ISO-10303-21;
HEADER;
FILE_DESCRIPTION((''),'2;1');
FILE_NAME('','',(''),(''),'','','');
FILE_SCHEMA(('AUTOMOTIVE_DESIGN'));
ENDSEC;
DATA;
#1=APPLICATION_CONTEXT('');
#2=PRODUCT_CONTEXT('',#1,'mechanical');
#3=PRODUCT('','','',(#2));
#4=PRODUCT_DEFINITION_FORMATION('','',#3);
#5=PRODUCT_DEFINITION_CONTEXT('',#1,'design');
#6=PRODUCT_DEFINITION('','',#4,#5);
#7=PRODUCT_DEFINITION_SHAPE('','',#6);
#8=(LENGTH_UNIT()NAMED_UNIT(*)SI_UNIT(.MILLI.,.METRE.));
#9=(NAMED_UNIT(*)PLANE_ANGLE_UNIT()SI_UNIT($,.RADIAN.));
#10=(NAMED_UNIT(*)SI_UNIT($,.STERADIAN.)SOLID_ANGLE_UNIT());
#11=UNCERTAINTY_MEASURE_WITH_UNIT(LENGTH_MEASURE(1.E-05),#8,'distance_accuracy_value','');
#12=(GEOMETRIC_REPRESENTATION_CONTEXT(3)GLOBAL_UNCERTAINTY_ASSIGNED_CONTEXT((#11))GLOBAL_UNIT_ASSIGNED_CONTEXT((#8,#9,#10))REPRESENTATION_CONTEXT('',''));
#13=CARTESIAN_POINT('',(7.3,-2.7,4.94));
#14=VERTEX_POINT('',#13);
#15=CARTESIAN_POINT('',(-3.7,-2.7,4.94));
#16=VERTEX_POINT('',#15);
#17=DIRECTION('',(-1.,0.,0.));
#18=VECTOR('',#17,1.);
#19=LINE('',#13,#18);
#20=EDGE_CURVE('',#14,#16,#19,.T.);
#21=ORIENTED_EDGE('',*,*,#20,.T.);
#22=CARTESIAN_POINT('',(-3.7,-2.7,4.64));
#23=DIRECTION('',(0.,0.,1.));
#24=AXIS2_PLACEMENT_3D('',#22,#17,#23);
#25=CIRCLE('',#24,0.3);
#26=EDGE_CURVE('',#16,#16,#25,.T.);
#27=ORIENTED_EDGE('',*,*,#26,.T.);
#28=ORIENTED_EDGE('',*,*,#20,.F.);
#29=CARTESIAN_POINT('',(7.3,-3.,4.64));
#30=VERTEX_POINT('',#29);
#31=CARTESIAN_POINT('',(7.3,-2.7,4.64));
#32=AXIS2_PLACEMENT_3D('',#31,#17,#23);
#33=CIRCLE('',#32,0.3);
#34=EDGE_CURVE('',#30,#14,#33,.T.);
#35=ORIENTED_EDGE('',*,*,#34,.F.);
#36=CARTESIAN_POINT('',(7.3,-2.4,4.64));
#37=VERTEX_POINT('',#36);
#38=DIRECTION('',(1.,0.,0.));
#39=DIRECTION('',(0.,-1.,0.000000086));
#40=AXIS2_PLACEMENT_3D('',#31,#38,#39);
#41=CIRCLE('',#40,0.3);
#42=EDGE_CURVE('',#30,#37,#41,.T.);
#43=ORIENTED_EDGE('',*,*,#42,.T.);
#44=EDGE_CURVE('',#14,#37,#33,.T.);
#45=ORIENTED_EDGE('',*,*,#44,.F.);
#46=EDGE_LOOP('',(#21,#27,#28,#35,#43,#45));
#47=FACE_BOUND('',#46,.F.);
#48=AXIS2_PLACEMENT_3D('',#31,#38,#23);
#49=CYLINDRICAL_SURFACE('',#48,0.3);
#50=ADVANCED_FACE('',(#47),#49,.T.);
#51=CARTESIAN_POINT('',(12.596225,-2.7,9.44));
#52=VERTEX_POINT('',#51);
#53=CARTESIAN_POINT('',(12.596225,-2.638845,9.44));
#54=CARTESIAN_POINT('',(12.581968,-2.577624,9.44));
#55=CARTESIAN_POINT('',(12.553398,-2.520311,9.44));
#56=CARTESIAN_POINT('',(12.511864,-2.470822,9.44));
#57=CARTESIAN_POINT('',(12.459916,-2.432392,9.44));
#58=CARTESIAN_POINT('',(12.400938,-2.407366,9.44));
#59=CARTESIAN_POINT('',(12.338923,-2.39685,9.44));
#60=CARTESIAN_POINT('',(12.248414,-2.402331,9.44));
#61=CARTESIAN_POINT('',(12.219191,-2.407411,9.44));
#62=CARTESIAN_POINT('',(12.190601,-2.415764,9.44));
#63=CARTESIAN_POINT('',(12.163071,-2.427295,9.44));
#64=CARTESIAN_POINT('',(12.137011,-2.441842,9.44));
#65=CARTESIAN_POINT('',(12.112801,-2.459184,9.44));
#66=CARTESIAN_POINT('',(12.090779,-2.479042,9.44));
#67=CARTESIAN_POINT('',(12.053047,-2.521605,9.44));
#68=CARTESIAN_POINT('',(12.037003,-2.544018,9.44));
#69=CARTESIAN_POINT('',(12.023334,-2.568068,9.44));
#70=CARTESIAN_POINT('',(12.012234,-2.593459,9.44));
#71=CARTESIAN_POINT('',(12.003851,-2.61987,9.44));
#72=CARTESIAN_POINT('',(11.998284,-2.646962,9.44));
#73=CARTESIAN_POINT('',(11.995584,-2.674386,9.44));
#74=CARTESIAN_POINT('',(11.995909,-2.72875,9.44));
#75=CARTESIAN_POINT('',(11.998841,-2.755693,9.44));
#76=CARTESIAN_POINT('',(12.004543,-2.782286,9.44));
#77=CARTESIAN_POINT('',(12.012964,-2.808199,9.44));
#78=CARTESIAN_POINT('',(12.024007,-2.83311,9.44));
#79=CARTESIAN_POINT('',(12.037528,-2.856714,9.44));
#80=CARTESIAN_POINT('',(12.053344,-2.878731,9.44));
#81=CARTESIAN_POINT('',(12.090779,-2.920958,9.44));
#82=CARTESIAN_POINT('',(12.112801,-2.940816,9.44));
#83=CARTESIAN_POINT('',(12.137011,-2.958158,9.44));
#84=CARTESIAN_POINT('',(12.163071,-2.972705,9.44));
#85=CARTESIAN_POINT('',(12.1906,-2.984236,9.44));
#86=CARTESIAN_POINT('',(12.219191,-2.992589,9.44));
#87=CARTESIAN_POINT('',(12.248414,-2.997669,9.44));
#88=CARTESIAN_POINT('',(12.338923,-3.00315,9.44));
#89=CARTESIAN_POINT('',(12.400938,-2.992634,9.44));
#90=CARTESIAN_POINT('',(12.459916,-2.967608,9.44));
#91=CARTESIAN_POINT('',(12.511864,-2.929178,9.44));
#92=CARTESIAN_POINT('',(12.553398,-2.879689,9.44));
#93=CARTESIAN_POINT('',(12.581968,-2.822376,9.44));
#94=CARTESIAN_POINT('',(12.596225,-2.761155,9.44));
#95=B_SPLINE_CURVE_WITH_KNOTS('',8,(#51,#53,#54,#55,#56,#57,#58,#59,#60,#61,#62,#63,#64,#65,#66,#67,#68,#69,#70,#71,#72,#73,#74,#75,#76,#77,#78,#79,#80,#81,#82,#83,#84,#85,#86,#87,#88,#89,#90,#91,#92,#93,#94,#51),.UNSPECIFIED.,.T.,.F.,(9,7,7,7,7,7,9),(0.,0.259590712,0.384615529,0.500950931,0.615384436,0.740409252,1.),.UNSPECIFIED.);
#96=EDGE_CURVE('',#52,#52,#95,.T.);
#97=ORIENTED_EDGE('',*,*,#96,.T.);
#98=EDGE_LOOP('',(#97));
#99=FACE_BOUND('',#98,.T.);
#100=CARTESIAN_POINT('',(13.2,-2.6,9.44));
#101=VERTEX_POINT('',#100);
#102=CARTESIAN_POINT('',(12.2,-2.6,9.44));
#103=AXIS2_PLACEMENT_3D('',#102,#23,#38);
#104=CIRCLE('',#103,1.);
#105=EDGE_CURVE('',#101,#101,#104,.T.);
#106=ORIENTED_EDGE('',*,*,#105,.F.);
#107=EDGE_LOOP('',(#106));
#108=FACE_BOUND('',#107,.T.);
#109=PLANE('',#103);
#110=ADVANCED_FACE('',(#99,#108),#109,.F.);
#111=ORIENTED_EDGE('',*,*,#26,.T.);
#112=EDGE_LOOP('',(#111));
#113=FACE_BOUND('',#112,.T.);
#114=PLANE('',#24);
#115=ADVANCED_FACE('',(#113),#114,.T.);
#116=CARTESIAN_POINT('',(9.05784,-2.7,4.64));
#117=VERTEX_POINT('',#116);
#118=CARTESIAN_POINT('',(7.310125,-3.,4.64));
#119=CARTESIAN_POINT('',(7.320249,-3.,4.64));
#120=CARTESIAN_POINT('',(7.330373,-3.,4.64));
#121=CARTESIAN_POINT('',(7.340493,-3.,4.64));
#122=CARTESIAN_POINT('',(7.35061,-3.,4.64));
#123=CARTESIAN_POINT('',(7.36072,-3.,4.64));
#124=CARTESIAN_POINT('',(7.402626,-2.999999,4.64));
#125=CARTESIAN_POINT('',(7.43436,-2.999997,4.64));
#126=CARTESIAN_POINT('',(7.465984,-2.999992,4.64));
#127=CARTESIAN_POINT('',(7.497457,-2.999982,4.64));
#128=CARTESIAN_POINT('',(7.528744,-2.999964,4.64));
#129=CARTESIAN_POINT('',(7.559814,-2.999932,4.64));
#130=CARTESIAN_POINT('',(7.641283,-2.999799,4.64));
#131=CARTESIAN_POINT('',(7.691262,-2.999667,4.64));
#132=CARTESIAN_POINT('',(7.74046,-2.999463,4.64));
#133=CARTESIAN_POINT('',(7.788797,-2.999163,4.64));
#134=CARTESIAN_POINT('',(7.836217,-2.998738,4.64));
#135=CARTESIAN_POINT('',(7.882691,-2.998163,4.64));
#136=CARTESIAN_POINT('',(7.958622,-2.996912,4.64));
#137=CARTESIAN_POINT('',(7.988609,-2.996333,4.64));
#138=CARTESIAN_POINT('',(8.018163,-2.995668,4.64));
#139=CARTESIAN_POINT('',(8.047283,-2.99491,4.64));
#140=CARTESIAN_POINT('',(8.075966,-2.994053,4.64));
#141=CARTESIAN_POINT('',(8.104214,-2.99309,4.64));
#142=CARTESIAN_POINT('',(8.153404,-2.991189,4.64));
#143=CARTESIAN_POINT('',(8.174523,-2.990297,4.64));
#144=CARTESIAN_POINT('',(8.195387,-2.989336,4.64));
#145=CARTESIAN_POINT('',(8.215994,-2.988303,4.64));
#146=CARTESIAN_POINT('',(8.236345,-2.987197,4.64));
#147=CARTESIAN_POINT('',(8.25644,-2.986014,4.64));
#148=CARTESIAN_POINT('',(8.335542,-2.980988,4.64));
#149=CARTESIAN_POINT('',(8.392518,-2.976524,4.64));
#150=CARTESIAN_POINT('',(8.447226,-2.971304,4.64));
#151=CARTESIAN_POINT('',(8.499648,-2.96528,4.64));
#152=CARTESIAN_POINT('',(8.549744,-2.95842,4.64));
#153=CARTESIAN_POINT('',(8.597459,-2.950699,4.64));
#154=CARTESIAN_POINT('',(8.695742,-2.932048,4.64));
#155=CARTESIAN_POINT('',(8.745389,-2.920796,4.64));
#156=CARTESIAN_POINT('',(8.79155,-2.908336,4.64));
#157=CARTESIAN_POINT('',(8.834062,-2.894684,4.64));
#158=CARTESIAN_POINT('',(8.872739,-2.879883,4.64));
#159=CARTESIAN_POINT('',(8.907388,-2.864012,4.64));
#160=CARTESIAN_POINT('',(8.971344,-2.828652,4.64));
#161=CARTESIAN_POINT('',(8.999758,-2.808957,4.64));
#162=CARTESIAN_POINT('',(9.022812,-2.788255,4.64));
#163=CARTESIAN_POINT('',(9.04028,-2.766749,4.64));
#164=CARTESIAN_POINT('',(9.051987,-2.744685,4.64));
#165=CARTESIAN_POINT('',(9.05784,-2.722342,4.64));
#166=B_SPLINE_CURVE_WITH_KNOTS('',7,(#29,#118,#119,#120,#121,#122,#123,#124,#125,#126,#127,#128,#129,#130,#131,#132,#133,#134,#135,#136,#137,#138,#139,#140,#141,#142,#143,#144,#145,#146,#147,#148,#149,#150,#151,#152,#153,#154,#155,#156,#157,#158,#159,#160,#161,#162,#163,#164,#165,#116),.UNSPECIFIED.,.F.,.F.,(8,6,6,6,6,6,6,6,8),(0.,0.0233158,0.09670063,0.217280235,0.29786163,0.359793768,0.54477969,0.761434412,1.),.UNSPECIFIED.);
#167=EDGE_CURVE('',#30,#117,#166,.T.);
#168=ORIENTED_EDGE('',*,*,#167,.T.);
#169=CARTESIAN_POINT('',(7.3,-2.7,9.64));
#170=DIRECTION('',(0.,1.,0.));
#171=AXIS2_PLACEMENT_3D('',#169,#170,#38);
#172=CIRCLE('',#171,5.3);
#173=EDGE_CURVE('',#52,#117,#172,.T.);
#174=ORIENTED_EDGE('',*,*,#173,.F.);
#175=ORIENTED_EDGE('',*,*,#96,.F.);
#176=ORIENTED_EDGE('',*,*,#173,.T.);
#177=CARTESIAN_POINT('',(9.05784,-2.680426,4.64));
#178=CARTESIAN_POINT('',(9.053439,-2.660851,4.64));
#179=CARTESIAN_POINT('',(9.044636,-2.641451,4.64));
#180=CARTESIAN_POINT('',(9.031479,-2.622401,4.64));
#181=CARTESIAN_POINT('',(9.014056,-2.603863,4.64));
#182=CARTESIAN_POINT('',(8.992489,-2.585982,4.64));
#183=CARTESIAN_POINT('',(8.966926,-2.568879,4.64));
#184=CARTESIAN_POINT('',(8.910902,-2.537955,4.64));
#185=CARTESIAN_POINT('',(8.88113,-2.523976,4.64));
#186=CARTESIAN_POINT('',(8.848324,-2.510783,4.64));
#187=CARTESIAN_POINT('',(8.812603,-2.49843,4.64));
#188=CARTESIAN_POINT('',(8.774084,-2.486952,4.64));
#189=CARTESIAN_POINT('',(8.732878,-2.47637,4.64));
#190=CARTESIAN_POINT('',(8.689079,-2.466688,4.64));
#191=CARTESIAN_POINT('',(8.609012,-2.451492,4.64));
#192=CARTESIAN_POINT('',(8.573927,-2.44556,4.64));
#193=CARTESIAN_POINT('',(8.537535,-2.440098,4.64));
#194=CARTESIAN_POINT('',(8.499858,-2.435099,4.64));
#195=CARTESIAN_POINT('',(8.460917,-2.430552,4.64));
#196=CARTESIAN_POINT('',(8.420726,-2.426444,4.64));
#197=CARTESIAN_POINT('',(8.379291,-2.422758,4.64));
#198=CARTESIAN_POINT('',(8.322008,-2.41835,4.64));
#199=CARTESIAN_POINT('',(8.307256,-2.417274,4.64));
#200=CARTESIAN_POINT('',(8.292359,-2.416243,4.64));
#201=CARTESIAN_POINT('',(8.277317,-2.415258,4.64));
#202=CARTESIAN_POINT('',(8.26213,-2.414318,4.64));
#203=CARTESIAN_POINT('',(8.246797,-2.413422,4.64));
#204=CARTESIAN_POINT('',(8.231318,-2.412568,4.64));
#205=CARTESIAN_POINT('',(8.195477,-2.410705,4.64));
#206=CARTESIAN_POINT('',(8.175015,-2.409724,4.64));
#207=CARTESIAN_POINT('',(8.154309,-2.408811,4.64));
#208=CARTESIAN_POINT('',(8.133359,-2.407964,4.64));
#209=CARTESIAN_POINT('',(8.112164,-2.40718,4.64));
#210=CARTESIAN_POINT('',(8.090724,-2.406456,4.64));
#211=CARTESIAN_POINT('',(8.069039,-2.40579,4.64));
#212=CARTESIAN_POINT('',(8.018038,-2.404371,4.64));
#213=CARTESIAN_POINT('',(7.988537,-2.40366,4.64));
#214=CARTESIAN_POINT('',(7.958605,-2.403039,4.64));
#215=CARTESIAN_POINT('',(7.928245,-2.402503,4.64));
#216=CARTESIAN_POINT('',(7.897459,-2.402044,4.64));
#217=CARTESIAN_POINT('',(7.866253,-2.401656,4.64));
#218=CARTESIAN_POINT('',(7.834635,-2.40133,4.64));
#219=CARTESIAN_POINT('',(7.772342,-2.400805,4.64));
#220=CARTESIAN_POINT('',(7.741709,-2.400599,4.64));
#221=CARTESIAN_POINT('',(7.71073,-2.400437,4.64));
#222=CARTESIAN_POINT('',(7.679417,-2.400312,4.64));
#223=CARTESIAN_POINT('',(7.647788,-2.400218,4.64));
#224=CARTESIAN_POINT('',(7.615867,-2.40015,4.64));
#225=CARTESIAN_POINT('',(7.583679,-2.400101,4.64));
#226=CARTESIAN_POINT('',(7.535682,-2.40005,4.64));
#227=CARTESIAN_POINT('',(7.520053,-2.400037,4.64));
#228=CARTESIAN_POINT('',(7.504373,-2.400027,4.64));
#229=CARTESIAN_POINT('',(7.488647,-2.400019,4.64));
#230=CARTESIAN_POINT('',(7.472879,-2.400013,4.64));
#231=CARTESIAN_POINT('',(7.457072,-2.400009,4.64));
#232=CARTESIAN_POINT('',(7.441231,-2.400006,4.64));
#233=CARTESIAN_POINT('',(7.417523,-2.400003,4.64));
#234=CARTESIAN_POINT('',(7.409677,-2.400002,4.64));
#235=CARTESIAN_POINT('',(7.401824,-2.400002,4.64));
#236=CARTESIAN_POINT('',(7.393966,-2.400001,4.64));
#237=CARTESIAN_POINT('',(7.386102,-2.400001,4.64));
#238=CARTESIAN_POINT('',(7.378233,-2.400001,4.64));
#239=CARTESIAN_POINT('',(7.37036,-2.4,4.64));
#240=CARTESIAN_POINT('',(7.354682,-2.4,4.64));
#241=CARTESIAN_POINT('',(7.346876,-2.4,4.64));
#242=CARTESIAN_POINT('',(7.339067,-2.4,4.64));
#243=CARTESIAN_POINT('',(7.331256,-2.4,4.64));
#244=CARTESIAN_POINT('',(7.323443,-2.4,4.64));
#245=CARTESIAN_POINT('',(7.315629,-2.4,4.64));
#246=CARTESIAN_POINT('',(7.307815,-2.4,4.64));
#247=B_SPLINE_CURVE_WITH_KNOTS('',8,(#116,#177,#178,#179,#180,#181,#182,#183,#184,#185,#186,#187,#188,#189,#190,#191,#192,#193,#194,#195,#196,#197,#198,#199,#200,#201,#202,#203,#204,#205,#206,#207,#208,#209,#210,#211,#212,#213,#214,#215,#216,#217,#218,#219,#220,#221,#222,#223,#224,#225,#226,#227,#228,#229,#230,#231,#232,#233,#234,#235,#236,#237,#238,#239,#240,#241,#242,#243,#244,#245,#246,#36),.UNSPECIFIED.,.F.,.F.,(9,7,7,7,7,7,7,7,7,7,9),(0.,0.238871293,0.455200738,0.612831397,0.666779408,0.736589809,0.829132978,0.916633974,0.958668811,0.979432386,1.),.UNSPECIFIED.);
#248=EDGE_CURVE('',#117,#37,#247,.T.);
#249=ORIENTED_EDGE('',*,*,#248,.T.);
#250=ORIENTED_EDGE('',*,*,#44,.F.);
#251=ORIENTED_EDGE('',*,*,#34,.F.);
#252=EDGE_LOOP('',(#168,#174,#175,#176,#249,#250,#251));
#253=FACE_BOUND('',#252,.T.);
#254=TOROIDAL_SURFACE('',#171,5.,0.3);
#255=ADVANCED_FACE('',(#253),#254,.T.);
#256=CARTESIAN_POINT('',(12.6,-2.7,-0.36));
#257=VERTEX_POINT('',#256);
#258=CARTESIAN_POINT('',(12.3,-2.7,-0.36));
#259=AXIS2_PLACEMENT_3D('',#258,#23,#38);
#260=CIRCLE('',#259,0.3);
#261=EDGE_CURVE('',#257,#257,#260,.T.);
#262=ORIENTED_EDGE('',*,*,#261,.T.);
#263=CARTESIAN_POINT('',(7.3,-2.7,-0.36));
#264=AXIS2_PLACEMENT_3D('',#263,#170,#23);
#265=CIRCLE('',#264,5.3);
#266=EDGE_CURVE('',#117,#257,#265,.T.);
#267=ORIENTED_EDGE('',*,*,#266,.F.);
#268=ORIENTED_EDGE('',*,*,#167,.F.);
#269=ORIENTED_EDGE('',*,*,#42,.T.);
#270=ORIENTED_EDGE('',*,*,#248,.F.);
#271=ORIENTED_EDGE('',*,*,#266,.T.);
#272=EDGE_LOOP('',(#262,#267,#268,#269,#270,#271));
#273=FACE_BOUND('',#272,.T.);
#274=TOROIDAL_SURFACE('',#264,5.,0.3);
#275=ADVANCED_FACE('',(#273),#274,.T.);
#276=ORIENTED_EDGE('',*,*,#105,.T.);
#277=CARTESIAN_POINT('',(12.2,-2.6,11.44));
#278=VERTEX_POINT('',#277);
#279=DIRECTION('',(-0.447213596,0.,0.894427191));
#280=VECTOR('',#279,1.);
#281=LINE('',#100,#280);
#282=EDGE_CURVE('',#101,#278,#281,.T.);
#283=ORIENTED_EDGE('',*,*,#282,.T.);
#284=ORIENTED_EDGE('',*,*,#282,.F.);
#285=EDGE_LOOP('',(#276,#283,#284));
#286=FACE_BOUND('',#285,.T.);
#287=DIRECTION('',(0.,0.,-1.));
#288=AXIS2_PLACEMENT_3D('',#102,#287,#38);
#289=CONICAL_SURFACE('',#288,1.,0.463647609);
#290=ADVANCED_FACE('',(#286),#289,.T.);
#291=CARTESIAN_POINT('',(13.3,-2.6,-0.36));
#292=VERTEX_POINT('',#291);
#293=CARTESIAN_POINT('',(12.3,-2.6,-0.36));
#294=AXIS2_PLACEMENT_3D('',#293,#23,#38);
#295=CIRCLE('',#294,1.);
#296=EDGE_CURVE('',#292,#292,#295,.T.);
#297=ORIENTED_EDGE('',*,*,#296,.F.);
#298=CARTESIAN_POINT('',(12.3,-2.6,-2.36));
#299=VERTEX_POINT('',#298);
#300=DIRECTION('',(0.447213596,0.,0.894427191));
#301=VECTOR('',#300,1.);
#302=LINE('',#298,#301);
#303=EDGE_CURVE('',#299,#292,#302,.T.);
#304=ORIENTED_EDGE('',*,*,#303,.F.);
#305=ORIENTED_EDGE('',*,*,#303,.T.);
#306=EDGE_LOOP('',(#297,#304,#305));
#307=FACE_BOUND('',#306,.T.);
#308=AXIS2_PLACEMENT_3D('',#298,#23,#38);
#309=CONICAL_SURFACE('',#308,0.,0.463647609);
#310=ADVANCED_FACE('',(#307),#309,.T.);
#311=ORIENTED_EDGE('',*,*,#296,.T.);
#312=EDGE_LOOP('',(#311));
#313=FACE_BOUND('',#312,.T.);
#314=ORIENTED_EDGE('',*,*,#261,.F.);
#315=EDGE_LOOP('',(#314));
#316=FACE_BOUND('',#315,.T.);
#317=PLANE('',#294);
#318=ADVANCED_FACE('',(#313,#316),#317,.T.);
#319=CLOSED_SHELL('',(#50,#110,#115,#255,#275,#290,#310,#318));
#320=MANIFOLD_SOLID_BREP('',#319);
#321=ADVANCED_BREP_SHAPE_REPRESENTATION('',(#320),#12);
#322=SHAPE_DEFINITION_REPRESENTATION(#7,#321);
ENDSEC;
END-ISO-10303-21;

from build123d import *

# Parameters (mm, degrees)
TORUS_R                 = 0.3
TORUS_ANGLE             = 90
TORUS_ROLL_ANGLE        = -90
TORUS001_R              = 0.3
TORUS001_ANGLE          = 90
CYLINDER008_R           = 0.3
CYLINDER008_DEPTH       = 11
CYLINDER008_PITCH_ANGLE = -90


with BuildPart() as torus:
    # Torus → Torus (revolve)
    with BuildSketch(Plane.XZ):
        with Locations((5, 0)):
            Circle(TORUS_R)
    revolve(axis=Axis((0, 0, 0), (0, 0, 1)), revolution_arc=TORUS_ANGLE)


with BuildPart() as torus_1:
    # Torus roll: moved
    add(torus.part.rotate(Axis((0, 0, 0), (1, 0, 0)), TORUS_ROLL_ANGLE))


with BuildPart() as torus_2:
    # Torus placement: moved
    add(torus_1.part.moved(Location((7.3, -2.7, 12))))


with BuildPart() as cone001:
    # Cone001 → Cone001 (revolve)
    with BuildSketch(Plane(origin=(12.2, -2.6, 11.8), x_dir=(1, 0, 0), z_dir=(0, -1, 0))):
        Polygon((0, 0), (1, 0), (0, 2), align=None)
    revolve(axis=Axis((12.2, -2.6, 11.8), (0, 0, 1)))


with BuildPart() as cone:
    # Cone → Cone (revolve)
    with BuildSketch(Plane(origin=(12.3, -2.6, 0), x_dir=(1, 0, 0), z_dir=(0, -1, 0))):
        Polygon((0, 0), (1, 2), (0, 2), align=None)
    revolve(axis=Axis((12.3, -2.6, 0), (0, 0, 1)))


with BuildPart() as torus001:
    # Torus001 → Torus001 (revolve)
    with BuildSketch(Plane(origin=(7.3, -2.7, 2), x_dir=(0, 0, 1), z_dir=(-1, 0, 0))):
        with Locations((5, 0)):
            Circle(TORUS001_R)
    revolve(axis=Axis((7.3, -2.7, 2), (0, 1, 0)), revolution_arc=TORUS001_ANGLE)


with BuildPart() as fusion012:
    # Cylinder008 → Cylinder008 (new body)
    with BuildSketch(Plane.XY):
        Circle(CYLINDER008_R)
    extrude(amount=CYLINDER008_DEPTH)


with BuildPart() as fusion012_1:
    # Cylinder008 pitch: moved
    add(fusion012.part.rotate(Axis((0, 0, 0), (0, 1, 0)), CYLINDER008_PITCH_ANGLE))


with BuildPart() as fusion012_2:
    # Cylinder008 placement: moved
    add(fusion012_1.part.moved(Location((7.3, -2.7, 7))))

    # Fusion012: union Torus, Cone001, Cone, Torus001
    add(torus_2.part)
    add(cone001.part)
    add(cone.part)
    add(torus001.part)


with BuildPart() as fusion012_3:
    # Fusion012 placement: moved
    add(fusion012_2.part.moved(Location((0, 0, -2.36))))


solid = fusion012_3.part
